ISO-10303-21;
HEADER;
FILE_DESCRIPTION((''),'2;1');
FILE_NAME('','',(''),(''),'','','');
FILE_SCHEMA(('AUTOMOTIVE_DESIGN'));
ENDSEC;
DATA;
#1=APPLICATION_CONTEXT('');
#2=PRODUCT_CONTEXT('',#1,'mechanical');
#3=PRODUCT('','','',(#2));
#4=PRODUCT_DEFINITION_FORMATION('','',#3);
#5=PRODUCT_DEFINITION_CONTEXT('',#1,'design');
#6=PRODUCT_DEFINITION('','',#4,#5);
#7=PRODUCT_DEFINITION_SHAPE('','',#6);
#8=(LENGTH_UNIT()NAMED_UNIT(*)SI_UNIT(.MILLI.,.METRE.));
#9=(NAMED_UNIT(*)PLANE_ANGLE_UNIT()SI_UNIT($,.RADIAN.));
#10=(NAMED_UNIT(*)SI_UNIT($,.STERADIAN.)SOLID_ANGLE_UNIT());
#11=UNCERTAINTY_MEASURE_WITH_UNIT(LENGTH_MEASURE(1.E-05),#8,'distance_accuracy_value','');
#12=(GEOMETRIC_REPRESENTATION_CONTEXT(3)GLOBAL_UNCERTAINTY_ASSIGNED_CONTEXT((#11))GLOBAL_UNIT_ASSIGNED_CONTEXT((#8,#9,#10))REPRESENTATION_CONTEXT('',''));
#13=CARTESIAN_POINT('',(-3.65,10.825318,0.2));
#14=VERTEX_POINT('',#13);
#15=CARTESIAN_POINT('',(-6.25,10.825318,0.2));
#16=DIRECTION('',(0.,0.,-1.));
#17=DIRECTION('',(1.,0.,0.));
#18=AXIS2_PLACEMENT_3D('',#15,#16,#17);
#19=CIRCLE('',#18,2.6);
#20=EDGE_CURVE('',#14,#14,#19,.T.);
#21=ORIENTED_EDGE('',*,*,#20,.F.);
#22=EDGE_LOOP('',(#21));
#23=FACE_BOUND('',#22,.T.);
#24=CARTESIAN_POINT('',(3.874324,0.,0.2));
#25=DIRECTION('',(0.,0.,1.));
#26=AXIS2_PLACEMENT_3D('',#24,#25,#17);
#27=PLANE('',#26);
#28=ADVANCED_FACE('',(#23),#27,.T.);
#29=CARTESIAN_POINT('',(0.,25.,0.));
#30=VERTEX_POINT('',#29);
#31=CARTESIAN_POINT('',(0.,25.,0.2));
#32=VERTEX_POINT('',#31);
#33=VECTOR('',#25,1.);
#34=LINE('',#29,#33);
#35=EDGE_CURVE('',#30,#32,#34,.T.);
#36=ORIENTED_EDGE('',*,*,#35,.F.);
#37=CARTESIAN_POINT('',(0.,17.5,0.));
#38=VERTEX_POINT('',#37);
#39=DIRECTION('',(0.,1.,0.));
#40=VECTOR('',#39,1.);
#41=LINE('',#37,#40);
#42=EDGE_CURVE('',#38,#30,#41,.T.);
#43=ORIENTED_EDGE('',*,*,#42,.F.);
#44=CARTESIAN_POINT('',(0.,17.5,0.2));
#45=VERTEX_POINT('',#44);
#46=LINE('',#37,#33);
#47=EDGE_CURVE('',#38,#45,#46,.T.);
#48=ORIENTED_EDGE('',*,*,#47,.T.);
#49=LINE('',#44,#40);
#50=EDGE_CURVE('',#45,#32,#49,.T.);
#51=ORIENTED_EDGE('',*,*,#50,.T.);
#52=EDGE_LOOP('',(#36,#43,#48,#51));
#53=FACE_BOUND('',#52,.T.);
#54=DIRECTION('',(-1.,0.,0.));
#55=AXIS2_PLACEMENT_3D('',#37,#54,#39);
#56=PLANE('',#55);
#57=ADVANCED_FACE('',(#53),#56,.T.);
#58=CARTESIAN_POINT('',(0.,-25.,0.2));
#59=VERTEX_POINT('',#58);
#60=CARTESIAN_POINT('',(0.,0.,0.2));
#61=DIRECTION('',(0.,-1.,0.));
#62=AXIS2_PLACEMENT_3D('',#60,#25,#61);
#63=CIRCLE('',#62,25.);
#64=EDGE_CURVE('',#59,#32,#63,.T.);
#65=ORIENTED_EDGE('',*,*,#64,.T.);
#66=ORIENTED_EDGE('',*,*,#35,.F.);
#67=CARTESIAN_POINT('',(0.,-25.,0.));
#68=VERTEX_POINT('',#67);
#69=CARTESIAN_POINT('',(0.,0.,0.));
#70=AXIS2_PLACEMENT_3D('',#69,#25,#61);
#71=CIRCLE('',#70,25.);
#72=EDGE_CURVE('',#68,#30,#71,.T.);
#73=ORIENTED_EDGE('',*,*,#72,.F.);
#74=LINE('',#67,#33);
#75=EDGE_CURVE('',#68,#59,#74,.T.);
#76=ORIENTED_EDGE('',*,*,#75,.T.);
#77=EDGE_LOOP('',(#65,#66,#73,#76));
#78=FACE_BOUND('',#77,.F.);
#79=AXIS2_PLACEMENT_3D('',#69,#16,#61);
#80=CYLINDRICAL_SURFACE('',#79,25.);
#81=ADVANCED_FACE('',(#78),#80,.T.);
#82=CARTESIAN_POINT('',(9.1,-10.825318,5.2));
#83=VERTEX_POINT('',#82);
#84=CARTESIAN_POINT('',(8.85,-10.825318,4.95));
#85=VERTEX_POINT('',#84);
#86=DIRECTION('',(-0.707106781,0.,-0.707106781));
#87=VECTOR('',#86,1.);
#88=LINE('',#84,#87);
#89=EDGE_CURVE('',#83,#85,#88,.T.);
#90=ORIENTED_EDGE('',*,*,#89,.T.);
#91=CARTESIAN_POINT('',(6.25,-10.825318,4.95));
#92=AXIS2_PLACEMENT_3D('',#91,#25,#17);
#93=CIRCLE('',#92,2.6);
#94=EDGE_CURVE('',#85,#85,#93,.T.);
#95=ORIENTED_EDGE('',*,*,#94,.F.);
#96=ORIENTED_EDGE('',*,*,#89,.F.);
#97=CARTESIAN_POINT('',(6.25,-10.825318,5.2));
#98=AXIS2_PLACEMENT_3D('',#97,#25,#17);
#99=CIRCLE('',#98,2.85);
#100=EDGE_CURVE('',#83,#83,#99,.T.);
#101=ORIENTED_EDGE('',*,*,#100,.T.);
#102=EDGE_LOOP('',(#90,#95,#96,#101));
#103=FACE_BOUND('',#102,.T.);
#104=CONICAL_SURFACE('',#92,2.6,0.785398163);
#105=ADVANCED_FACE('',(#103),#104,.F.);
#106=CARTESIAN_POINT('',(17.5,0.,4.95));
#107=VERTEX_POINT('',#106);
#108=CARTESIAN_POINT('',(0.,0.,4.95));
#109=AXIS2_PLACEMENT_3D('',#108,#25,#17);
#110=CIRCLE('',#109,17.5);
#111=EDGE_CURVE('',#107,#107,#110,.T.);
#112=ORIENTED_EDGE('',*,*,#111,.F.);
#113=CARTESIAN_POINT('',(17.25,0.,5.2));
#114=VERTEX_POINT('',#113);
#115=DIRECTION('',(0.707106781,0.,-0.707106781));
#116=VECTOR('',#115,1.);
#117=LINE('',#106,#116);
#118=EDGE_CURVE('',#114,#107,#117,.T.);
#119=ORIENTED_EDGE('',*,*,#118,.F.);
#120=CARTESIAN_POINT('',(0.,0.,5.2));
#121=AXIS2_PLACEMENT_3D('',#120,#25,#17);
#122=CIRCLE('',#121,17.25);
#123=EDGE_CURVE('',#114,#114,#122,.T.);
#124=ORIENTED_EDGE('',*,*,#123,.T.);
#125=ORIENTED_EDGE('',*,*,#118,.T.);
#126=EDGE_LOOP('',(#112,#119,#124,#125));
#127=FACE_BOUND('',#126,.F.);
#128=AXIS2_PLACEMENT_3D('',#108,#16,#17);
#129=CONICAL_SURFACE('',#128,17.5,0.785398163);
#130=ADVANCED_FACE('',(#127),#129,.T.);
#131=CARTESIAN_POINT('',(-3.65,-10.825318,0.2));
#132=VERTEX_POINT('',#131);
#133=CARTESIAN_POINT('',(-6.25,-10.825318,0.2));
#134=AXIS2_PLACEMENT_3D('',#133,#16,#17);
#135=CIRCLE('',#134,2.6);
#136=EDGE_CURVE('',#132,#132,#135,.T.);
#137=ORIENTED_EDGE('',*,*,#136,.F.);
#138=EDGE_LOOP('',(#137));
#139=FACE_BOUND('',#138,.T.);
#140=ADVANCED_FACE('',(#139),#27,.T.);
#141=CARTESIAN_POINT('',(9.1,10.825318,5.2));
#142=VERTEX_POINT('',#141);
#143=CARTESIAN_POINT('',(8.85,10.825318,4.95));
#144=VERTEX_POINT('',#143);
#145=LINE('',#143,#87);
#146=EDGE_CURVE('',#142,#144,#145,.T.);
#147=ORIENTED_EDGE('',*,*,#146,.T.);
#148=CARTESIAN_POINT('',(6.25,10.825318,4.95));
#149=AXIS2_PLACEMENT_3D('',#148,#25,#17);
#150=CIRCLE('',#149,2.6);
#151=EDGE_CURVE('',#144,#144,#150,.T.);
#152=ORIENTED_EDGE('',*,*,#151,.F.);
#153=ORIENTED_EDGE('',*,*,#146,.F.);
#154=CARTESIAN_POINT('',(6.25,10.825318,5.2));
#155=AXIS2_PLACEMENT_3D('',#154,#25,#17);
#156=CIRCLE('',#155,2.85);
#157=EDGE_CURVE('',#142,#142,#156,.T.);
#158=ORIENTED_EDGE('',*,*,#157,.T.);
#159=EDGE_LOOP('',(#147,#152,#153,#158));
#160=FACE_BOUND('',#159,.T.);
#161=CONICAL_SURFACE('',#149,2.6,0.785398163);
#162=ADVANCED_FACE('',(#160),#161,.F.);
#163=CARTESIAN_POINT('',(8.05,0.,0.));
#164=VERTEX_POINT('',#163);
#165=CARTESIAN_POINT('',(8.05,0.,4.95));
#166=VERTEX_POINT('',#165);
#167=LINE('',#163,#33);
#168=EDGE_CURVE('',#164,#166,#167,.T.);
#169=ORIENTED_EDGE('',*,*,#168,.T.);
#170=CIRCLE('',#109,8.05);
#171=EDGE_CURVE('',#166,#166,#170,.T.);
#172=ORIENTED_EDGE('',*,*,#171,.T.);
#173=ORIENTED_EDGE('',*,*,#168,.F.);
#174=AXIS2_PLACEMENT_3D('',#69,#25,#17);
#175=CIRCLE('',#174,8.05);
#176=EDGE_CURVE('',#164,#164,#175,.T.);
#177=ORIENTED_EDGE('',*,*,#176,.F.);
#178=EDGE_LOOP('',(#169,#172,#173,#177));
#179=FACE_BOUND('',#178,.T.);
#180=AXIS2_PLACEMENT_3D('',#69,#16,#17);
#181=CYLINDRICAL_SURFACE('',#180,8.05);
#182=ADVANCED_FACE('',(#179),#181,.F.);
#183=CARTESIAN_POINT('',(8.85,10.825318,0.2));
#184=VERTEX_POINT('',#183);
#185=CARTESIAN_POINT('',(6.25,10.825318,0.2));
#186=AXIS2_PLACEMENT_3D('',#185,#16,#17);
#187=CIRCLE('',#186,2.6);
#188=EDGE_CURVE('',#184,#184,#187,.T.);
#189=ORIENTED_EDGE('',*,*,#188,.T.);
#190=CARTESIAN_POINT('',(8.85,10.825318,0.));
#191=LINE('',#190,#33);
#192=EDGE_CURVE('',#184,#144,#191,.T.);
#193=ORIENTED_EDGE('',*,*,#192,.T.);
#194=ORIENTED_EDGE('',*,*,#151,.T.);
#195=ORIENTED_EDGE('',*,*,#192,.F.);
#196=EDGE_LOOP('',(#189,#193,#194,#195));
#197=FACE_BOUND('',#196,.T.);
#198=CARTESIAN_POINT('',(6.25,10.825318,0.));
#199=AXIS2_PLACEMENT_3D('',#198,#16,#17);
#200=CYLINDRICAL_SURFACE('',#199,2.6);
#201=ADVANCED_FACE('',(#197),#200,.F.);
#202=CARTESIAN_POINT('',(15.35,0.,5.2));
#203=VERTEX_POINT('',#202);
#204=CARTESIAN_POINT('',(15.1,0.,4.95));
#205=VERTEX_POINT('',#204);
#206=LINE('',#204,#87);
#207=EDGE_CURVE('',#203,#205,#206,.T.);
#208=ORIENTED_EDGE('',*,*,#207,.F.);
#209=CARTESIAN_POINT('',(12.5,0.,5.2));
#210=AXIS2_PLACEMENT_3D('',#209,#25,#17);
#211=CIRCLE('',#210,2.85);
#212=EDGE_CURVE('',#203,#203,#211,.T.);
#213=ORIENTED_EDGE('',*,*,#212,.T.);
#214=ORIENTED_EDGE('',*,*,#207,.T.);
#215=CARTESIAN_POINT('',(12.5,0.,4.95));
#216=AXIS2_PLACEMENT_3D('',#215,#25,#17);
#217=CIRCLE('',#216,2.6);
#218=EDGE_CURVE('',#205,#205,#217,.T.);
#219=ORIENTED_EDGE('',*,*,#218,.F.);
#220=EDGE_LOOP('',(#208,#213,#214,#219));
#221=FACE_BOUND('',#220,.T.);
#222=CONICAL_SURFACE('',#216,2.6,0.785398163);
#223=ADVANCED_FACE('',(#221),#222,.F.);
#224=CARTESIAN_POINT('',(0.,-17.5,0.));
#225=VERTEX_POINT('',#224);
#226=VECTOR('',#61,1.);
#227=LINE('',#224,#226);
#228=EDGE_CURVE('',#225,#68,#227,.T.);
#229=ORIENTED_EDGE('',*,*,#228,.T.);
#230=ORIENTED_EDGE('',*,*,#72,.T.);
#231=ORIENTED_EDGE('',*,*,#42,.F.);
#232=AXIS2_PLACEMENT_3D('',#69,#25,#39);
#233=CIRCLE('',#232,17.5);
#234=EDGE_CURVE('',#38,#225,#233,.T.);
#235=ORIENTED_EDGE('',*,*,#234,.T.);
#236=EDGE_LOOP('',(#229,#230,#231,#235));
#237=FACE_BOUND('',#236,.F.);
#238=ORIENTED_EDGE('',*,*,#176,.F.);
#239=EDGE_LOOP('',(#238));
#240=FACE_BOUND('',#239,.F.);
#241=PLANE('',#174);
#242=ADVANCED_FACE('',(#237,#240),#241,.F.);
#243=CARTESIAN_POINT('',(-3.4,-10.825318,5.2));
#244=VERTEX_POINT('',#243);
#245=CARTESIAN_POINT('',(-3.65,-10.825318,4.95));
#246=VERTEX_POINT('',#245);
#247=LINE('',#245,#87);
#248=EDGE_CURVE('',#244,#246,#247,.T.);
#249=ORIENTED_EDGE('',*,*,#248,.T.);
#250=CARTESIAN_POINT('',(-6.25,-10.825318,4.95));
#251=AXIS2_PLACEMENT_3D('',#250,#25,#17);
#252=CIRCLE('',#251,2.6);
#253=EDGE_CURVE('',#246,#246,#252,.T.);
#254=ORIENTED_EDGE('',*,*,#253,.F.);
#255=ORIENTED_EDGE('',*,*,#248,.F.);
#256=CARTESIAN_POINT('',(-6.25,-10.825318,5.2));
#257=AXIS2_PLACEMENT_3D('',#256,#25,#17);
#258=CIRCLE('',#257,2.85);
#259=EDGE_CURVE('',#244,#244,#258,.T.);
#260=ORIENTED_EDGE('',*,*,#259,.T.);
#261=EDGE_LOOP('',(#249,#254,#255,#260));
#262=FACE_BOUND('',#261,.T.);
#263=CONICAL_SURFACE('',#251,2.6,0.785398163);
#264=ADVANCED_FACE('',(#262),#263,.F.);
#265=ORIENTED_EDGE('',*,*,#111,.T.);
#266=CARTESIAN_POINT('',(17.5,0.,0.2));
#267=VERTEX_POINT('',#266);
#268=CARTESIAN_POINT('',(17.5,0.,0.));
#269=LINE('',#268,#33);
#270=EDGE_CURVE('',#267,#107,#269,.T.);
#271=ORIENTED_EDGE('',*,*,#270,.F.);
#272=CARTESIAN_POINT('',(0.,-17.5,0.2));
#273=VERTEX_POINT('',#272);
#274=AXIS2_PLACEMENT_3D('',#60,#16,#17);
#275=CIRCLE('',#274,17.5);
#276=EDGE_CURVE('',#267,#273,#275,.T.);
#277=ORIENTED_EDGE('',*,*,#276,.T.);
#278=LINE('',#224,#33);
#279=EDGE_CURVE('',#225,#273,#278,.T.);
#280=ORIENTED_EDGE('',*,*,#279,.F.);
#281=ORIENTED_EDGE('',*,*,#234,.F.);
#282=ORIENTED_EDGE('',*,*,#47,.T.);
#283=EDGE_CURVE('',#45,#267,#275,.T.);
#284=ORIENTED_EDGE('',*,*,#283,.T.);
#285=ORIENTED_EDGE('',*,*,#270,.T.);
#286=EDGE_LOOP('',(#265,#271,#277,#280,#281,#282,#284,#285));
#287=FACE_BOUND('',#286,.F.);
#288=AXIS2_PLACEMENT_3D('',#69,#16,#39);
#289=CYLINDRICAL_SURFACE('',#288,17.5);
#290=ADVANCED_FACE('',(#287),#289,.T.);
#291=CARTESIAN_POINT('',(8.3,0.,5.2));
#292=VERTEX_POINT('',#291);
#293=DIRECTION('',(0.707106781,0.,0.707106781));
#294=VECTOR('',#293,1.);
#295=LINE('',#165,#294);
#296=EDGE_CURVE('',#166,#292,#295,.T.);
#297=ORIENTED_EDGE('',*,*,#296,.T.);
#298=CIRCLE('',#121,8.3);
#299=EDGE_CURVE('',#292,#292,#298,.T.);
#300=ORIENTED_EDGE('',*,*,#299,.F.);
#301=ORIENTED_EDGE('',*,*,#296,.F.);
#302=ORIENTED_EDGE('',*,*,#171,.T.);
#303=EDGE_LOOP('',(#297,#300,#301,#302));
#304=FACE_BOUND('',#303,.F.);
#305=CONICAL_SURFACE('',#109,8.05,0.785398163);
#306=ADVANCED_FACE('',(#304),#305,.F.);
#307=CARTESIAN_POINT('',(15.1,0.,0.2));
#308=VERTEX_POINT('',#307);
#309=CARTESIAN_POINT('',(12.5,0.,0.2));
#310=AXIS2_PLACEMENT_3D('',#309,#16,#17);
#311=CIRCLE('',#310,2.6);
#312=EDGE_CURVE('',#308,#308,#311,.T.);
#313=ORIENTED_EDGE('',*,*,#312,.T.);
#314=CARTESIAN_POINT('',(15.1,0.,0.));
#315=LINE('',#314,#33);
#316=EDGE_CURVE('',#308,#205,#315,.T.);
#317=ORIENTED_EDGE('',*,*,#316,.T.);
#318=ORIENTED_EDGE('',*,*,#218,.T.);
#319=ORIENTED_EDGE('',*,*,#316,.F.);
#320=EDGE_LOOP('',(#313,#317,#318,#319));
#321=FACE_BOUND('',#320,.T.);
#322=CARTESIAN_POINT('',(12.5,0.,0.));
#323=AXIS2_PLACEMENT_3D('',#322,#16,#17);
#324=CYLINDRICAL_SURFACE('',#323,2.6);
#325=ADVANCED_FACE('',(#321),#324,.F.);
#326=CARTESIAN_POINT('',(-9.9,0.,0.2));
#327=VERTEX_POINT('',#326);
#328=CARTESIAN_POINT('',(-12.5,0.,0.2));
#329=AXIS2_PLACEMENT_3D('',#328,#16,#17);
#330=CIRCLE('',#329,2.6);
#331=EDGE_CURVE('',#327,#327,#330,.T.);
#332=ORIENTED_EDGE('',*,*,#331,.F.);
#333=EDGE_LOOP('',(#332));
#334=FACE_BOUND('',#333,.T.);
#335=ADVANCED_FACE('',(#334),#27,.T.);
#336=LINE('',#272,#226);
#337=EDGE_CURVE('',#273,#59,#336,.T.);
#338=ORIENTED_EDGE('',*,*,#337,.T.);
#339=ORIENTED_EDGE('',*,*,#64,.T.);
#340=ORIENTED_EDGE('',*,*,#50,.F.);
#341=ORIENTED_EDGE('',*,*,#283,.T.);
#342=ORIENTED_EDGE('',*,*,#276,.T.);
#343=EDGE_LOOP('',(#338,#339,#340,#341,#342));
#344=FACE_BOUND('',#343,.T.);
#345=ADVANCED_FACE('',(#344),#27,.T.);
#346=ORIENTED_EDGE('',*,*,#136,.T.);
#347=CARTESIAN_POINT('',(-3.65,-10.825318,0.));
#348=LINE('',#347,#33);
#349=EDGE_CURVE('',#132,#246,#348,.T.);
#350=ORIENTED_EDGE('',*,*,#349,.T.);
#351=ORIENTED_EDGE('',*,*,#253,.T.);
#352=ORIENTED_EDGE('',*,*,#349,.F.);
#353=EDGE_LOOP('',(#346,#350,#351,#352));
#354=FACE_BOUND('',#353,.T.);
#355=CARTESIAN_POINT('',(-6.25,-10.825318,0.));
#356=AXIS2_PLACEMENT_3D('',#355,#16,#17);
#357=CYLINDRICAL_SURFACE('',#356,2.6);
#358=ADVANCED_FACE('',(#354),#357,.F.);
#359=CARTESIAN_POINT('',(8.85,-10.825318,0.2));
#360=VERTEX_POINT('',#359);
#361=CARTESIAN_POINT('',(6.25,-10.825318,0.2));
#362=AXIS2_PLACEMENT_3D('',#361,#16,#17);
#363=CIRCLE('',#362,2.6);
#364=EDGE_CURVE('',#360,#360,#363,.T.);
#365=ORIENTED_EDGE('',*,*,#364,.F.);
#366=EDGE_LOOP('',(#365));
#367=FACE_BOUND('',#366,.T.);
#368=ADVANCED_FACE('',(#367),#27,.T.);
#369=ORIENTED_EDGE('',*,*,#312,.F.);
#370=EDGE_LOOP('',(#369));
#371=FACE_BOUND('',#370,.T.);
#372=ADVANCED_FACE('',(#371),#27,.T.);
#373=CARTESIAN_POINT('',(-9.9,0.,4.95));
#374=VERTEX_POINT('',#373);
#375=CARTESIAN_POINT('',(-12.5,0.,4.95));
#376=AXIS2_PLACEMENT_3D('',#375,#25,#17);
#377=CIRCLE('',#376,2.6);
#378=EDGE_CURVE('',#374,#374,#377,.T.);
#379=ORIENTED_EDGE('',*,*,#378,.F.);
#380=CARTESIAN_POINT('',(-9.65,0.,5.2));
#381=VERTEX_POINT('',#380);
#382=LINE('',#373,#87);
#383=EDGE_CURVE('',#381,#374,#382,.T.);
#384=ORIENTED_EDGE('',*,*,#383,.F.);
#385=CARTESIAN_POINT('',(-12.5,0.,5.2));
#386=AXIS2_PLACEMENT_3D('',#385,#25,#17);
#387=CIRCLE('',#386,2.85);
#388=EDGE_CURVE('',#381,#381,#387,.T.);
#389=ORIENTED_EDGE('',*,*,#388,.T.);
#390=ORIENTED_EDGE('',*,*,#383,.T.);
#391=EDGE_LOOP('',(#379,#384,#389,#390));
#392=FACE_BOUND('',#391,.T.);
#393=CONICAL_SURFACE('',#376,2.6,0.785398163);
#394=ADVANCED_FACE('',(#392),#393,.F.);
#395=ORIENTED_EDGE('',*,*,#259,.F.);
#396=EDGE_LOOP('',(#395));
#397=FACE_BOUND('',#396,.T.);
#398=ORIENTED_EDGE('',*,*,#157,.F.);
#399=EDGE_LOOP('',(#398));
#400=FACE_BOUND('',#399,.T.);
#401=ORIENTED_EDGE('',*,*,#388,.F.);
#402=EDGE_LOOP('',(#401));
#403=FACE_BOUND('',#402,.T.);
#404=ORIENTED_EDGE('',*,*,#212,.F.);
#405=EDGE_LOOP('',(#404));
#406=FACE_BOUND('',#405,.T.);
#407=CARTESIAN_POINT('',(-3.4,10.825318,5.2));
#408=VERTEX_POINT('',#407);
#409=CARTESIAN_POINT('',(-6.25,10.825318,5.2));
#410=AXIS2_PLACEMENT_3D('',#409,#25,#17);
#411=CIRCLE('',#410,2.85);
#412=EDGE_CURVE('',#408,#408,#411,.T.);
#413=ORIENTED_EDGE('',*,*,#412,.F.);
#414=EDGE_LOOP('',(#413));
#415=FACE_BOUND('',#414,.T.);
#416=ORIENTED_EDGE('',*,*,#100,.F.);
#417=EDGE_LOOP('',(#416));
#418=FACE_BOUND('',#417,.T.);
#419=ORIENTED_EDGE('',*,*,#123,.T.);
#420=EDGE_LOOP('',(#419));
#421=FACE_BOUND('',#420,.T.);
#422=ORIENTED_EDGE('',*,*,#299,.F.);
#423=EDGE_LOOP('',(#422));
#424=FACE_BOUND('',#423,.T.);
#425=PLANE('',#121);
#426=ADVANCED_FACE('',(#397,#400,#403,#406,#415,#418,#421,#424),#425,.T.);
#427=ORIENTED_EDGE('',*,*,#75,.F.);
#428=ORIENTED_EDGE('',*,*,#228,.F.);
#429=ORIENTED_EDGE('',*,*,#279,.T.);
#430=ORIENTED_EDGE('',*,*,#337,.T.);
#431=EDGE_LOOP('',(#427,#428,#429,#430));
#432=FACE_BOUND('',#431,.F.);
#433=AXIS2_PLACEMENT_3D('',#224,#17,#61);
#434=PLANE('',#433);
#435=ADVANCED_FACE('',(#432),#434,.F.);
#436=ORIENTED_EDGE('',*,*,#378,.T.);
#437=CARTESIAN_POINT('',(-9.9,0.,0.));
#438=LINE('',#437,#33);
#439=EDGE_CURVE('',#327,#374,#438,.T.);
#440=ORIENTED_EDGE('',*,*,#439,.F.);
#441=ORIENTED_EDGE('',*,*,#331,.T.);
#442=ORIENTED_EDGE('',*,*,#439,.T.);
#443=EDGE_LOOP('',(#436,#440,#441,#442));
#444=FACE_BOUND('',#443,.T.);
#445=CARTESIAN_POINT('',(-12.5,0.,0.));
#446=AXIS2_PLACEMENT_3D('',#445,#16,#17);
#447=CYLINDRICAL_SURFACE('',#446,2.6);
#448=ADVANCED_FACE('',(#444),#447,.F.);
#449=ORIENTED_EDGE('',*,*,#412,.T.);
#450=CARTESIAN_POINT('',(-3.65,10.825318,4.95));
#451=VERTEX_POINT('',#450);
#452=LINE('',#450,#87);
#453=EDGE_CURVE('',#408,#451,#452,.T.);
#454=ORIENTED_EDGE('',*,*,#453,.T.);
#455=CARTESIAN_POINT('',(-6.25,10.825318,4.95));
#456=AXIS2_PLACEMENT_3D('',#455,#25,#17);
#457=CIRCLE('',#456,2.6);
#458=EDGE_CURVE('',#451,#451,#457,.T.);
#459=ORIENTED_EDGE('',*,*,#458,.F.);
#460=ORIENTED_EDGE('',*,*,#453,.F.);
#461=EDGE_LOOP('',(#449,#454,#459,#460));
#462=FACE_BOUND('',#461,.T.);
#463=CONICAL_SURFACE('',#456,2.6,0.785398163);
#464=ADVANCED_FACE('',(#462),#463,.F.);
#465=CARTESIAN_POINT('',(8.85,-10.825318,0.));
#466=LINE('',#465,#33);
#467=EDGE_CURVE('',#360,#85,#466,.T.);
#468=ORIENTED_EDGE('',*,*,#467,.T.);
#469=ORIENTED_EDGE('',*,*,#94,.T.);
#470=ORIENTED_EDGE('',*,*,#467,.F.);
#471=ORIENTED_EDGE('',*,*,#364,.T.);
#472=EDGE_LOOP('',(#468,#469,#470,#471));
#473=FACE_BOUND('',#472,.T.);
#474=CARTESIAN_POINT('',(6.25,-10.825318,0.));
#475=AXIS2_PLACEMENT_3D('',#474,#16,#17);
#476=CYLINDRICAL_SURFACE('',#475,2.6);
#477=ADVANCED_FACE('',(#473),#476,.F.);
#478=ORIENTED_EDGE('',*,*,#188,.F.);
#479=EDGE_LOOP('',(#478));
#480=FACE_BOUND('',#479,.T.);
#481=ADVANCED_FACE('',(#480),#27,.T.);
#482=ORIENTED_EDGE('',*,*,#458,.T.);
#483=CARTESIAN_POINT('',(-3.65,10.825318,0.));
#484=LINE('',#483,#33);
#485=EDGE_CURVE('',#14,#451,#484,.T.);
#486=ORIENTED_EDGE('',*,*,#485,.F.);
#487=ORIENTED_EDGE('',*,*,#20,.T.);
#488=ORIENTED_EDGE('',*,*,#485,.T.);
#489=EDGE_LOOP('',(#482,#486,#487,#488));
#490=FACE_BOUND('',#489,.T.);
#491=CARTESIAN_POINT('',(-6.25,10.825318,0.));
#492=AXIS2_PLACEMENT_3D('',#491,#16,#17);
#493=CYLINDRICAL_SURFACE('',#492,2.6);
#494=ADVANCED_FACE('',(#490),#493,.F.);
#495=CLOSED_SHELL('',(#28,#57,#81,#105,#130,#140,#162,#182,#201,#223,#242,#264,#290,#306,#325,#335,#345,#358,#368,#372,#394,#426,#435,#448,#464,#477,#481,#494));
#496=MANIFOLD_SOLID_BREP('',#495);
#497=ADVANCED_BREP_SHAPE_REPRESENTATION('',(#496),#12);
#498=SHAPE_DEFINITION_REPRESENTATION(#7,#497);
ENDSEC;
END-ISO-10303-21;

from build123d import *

# Parameters (mm, degrees)
SKETCH_R        = 17.5
SKETCH_R_2      = 8.05
SKETCH_R_3      = 2.6
PAD_DEPTH       = 5.2
SKETCH001_R     = 8.05
PAD001_DEPTH    = 0.2
CHAMFER001_SIZE = 0.25


with BuildPart() as part:
    # Sketch → Pad (new body)
    with BuildSketch(Plane.XY):
        Circle(SKETCH_R)
        Circle(SKETCH_R_2, mode=Mode.SUBTRACT)
        with Locations((12.5, 0)):
            Circle(SKETCH_R_3, mode=Mode.SUBTRACT)
        with Locations((-12.5, 0)):
            Circle(SKETCH_R_3, mode=Mode.SUBTRACT)
        with Locations((-6.25, 10.825318)):
            Circle(SKETCH_R_3, mode=Mode.SUBTRACT)
        with Locations((6.25, 10.825318)):
            Circle(SKETCH_R_3, mode=Mode.SUBTRACT)
        with Locations((-6.25, -10.825318)):
            Circle(SKETCH_R_3, mode=Mode.SUBTRACT)
        with Locations((6.25, -10.825318)):
            Circle(SKETCH_R_3, mode=Mode.SUBTRACT)
    extrude(amount=PAD_DEPTH)

    # Sketch001 → Pad001 (join)
    with BuildSketch(Plane.XY):
        with BuildLine():
            ThreePointArc((0, 17.5), (-17.5, 0), (0, -17.5))
            Line((0, -17.5), (0, -25))
            ThreePointArc((0, -25), (25, 0), (0, 25))
            Line((0, 17.5), (0, 25))
        make_face()
        Circle(SKETCH001_R, mode=Mode.SUBTRACT)
    extrude(amount=PAD001_DEPTH)

    # Chamfer001
    chamfer001_edges = [part.edges().sort_by_distance(p)[0] for p in [
        (-17.5, 0, 5.2),
        (-8.05, 0, 5.2),
        (3.65, -10.825318, 5.2),
        (-8.85, 10.825318, 5.2),
        (-15.1, 0, 5.2),
        (9.9, 0, 5.2),
        (-8.85, -10.825318, 5.2),
        (3.65, 10.825318, 5.2),
    ]]
    chamfer(chamfer001_edges, length=CHAMFER001_SIZE)


solid = part.part
